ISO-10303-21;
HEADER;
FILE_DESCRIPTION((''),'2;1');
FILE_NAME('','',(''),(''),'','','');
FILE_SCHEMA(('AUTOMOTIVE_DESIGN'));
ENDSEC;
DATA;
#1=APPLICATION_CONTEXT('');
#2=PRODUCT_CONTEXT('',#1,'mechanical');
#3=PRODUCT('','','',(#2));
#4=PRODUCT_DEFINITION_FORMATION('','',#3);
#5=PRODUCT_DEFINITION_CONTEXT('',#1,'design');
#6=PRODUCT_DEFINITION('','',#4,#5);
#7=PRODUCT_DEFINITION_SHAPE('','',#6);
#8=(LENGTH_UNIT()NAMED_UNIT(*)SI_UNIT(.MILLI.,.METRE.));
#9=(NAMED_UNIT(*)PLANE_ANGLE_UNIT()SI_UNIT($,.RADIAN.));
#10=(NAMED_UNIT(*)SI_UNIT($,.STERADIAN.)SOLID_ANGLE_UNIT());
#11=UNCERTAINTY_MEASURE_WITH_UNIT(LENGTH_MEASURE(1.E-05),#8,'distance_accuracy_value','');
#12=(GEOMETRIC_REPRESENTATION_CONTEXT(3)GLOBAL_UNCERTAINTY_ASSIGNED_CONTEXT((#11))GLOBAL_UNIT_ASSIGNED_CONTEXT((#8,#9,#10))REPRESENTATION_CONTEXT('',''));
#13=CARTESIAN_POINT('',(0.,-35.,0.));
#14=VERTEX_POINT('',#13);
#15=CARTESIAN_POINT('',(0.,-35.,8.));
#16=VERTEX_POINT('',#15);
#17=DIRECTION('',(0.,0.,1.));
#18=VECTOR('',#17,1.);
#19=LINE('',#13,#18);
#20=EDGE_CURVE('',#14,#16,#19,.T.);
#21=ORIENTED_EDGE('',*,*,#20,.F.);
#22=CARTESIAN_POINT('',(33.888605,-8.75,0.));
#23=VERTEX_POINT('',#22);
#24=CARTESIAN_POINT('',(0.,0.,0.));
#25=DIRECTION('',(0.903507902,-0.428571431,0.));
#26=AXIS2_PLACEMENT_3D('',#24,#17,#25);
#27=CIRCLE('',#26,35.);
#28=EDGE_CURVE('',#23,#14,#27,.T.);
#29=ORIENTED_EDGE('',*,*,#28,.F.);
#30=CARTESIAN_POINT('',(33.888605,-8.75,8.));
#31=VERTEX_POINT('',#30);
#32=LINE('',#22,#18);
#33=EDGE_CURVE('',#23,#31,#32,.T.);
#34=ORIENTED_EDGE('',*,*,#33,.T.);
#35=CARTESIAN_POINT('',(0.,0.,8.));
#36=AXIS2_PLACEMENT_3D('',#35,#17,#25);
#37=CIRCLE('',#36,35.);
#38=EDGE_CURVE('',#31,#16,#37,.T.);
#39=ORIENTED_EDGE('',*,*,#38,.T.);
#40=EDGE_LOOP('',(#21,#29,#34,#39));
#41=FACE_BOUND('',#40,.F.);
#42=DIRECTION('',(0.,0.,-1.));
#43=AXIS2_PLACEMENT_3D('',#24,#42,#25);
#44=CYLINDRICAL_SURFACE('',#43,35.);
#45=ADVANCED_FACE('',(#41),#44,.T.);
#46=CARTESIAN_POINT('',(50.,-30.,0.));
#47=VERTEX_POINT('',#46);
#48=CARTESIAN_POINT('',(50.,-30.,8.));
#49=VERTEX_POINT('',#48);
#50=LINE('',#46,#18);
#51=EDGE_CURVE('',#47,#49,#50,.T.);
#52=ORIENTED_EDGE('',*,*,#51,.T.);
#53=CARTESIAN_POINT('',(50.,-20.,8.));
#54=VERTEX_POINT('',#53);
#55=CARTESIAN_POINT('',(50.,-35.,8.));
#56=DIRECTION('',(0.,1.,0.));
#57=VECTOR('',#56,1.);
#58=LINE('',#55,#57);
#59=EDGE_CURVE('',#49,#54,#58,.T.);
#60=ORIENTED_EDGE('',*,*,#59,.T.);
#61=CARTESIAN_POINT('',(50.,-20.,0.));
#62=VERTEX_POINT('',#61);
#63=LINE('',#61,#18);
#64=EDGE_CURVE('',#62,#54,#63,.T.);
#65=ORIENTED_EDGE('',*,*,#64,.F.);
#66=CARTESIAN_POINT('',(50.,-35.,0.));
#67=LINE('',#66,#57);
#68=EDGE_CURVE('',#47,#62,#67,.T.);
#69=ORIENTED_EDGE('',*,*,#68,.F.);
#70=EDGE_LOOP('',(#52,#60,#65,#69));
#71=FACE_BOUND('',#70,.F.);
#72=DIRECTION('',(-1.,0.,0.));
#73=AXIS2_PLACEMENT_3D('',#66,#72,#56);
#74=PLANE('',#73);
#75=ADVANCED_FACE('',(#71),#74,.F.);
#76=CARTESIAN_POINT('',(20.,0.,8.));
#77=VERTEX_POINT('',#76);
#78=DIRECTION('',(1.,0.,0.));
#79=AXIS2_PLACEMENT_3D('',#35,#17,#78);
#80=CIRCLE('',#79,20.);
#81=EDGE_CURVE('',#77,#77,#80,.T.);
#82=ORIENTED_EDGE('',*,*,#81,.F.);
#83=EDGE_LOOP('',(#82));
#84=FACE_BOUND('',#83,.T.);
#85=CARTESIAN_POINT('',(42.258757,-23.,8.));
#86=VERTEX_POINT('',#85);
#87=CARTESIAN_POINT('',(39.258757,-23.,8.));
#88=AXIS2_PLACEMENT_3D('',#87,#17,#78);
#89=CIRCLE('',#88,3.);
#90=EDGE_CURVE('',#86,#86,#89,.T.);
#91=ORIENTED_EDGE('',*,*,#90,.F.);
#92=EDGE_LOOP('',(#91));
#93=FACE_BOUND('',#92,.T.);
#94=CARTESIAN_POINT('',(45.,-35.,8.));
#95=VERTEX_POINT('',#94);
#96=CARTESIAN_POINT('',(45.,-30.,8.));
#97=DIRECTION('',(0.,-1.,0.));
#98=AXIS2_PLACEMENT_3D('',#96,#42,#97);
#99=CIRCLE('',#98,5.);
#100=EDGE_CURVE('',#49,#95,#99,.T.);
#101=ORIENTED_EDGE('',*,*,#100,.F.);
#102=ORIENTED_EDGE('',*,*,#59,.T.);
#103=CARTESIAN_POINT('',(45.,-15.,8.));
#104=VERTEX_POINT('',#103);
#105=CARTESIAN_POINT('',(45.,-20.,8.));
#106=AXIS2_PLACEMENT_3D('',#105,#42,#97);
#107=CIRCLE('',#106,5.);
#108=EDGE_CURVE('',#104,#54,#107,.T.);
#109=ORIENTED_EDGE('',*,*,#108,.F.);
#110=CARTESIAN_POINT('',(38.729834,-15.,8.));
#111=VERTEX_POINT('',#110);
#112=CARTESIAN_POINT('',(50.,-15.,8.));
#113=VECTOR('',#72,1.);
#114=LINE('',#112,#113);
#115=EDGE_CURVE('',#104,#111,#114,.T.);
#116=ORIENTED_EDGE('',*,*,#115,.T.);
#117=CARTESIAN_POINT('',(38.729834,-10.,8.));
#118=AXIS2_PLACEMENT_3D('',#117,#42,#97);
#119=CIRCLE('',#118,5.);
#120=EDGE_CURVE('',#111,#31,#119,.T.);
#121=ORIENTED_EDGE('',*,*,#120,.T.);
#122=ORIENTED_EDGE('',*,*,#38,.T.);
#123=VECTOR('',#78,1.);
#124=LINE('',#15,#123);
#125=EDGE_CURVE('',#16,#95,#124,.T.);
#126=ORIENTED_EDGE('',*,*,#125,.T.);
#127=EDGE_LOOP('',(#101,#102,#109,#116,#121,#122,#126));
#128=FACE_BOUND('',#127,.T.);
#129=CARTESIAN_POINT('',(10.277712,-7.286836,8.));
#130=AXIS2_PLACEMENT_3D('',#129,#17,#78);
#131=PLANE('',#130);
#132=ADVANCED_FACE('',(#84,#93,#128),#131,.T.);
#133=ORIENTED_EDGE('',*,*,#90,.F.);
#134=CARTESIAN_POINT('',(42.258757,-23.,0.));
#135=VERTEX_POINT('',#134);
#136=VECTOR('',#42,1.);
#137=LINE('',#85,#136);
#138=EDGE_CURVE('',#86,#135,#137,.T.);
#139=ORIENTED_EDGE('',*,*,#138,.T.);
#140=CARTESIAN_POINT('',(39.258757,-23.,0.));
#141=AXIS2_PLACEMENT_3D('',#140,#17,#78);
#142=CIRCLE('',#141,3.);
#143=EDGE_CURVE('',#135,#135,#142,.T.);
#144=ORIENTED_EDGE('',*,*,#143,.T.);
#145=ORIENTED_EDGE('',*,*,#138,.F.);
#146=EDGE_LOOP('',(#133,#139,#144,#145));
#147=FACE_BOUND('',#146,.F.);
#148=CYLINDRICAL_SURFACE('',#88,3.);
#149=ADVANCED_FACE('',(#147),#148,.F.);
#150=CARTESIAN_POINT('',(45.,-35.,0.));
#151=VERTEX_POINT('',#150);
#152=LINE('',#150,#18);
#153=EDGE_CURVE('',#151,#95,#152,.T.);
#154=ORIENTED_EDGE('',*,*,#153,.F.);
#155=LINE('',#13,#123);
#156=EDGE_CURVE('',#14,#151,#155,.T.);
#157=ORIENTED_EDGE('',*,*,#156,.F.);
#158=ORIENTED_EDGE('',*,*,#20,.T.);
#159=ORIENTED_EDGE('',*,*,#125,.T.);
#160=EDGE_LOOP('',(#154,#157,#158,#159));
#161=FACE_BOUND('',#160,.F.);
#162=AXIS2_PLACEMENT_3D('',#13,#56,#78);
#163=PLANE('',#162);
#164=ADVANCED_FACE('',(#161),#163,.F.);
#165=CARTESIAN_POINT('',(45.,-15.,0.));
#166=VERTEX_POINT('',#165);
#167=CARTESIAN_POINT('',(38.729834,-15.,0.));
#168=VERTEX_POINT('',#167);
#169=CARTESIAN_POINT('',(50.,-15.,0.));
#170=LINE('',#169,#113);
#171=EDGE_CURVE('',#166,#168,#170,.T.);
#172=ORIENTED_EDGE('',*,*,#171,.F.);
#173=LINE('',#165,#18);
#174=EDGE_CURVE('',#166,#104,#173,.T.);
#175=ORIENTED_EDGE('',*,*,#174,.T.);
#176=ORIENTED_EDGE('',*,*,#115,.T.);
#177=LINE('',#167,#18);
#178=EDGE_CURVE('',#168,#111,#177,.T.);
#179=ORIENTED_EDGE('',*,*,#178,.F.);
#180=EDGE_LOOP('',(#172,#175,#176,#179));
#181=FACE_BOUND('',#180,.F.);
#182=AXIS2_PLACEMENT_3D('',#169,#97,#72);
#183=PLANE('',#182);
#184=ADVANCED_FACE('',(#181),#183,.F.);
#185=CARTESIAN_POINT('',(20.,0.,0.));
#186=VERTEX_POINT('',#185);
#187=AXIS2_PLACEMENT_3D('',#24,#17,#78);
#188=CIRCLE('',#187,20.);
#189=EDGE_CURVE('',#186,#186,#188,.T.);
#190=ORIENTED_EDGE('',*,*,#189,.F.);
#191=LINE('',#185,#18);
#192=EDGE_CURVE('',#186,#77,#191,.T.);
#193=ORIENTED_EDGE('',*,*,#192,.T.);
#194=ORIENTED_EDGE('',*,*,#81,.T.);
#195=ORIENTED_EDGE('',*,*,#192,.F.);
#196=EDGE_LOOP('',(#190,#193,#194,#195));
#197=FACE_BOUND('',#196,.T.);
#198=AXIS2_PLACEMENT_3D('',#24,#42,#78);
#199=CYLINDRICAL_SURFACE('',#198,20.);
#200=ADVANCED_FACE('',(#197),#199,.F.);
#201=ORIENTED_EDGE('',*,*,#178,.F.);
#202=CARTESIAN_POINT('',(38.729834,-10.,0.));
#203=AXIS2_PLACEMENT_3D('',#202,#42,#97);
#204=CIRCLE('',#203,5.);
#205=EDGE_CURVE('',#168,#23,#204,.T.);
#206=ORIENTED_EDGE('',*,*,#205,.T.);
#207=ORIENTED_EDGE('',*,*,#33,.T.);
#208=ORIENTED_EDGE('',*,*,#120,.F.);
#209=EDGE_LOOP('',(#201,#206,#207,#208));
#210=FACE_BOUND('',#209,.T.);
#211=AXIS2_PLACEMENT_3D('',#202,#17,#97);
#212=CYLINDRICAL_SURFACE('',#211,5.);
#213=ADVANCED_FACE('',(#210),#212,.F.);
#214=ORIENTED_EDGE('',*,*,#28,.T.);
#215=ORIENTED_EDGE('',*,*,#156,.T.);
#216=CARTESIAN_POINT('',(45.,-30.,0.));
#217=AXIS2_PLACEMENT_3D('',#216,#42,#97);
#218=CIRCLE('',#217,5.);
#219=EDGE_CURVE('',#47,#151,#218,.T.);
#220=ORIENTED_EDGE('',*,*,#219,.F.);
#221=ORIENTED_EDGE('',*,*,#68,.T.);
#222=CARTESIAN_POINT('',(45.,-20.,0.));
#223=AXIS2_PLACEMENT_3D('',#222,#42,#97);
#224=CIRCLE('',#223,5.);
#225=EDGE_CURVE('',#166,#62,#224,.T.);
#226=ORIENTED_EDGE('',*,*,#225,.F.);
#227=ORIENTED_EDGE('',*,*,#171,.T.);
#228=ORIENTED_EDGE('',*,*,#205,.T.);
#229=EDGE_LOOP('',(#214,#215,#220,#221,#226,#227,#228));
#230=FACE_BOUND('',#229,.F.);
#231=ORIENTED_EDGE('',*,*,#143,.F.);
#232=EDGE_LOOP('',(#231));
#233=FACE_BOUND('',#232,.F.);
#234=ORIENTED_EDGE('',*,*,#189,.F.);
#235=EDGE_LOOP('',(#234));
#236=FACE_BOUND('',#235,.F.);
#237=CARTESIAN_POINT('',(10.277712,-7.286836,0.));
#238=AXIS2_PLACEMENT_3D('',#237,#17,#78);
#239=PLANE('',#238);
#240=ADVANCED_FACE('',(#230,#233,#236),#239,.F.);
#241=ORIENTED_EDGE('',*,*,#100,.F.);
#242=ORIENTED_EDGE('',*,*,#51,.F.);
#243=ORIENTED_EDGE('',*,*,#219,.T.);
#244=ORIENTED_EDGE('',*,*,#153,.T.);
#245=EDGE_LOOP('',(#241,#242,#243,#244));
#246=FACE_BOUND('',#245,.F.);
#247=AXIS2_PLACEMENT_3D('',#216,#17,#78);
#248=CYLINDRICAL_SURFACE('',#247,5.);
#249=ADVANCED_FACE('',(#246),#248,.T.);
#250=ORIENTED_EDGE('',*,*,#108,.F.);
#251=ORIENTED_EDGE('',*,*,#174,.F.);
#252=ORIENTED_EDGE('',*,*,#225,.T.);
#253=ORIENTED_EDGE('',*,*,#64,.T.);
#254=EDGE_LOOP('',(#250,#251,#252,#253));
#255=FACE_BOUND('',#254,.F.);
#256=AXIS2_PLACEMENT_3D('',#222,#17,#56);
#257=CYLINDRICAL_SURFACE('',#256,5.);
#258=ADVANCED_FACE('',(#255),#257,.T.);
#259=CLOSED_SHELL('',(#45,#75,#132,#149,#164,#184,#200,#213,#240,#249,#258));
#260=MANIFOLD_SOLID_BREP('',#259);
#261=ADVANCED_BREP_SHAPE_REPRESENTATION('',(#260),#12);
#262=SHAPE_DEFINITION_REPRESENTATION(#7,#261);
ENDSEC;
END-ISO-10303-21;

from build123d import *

# Parameters (mm, degrees)
F0_R     = 20
F1_DEPTH = 8
F2_R     = 5
F3_R     = 3
F4_DEPTH = 8


with BuildPart() as f1:
    # F0 (on Top) → F1 (new body)
    with BuildSketch(Plane.XY):
        with BuildLine():
            Line((50, -15), (31.622777, -15))
            ThreePointArc((31.622777, -15), (-18.708287, 29.580399), (0, -35))
            Line((0, -35), (50, -35))
            Line((50, -35), (50, -15))
        make_face()
        Circle(F0_R, mode=Mode.SUBTRACT)
    extrude(amount=F1_DEPTH)

    # F2
    f2_edges = [f1.edges().sort_by_distance(p)[0] for p in [
        (31.622777, -15, 4),
        (50, -15, 4),
        (50, -35, 4),
    ]]
    fillet(f2_edges, radius=F2_R)

    # F3 (on face) → F4 (cut, through all)
    with BuildSketch(Plane.XY.offset(8)):
        with Locations((39.258757, -23)):
            Circle(F3_R)
    extrude(amount=-F4_DEPTH, mode=Mode.SUBTRACT)


solid = f1.part
